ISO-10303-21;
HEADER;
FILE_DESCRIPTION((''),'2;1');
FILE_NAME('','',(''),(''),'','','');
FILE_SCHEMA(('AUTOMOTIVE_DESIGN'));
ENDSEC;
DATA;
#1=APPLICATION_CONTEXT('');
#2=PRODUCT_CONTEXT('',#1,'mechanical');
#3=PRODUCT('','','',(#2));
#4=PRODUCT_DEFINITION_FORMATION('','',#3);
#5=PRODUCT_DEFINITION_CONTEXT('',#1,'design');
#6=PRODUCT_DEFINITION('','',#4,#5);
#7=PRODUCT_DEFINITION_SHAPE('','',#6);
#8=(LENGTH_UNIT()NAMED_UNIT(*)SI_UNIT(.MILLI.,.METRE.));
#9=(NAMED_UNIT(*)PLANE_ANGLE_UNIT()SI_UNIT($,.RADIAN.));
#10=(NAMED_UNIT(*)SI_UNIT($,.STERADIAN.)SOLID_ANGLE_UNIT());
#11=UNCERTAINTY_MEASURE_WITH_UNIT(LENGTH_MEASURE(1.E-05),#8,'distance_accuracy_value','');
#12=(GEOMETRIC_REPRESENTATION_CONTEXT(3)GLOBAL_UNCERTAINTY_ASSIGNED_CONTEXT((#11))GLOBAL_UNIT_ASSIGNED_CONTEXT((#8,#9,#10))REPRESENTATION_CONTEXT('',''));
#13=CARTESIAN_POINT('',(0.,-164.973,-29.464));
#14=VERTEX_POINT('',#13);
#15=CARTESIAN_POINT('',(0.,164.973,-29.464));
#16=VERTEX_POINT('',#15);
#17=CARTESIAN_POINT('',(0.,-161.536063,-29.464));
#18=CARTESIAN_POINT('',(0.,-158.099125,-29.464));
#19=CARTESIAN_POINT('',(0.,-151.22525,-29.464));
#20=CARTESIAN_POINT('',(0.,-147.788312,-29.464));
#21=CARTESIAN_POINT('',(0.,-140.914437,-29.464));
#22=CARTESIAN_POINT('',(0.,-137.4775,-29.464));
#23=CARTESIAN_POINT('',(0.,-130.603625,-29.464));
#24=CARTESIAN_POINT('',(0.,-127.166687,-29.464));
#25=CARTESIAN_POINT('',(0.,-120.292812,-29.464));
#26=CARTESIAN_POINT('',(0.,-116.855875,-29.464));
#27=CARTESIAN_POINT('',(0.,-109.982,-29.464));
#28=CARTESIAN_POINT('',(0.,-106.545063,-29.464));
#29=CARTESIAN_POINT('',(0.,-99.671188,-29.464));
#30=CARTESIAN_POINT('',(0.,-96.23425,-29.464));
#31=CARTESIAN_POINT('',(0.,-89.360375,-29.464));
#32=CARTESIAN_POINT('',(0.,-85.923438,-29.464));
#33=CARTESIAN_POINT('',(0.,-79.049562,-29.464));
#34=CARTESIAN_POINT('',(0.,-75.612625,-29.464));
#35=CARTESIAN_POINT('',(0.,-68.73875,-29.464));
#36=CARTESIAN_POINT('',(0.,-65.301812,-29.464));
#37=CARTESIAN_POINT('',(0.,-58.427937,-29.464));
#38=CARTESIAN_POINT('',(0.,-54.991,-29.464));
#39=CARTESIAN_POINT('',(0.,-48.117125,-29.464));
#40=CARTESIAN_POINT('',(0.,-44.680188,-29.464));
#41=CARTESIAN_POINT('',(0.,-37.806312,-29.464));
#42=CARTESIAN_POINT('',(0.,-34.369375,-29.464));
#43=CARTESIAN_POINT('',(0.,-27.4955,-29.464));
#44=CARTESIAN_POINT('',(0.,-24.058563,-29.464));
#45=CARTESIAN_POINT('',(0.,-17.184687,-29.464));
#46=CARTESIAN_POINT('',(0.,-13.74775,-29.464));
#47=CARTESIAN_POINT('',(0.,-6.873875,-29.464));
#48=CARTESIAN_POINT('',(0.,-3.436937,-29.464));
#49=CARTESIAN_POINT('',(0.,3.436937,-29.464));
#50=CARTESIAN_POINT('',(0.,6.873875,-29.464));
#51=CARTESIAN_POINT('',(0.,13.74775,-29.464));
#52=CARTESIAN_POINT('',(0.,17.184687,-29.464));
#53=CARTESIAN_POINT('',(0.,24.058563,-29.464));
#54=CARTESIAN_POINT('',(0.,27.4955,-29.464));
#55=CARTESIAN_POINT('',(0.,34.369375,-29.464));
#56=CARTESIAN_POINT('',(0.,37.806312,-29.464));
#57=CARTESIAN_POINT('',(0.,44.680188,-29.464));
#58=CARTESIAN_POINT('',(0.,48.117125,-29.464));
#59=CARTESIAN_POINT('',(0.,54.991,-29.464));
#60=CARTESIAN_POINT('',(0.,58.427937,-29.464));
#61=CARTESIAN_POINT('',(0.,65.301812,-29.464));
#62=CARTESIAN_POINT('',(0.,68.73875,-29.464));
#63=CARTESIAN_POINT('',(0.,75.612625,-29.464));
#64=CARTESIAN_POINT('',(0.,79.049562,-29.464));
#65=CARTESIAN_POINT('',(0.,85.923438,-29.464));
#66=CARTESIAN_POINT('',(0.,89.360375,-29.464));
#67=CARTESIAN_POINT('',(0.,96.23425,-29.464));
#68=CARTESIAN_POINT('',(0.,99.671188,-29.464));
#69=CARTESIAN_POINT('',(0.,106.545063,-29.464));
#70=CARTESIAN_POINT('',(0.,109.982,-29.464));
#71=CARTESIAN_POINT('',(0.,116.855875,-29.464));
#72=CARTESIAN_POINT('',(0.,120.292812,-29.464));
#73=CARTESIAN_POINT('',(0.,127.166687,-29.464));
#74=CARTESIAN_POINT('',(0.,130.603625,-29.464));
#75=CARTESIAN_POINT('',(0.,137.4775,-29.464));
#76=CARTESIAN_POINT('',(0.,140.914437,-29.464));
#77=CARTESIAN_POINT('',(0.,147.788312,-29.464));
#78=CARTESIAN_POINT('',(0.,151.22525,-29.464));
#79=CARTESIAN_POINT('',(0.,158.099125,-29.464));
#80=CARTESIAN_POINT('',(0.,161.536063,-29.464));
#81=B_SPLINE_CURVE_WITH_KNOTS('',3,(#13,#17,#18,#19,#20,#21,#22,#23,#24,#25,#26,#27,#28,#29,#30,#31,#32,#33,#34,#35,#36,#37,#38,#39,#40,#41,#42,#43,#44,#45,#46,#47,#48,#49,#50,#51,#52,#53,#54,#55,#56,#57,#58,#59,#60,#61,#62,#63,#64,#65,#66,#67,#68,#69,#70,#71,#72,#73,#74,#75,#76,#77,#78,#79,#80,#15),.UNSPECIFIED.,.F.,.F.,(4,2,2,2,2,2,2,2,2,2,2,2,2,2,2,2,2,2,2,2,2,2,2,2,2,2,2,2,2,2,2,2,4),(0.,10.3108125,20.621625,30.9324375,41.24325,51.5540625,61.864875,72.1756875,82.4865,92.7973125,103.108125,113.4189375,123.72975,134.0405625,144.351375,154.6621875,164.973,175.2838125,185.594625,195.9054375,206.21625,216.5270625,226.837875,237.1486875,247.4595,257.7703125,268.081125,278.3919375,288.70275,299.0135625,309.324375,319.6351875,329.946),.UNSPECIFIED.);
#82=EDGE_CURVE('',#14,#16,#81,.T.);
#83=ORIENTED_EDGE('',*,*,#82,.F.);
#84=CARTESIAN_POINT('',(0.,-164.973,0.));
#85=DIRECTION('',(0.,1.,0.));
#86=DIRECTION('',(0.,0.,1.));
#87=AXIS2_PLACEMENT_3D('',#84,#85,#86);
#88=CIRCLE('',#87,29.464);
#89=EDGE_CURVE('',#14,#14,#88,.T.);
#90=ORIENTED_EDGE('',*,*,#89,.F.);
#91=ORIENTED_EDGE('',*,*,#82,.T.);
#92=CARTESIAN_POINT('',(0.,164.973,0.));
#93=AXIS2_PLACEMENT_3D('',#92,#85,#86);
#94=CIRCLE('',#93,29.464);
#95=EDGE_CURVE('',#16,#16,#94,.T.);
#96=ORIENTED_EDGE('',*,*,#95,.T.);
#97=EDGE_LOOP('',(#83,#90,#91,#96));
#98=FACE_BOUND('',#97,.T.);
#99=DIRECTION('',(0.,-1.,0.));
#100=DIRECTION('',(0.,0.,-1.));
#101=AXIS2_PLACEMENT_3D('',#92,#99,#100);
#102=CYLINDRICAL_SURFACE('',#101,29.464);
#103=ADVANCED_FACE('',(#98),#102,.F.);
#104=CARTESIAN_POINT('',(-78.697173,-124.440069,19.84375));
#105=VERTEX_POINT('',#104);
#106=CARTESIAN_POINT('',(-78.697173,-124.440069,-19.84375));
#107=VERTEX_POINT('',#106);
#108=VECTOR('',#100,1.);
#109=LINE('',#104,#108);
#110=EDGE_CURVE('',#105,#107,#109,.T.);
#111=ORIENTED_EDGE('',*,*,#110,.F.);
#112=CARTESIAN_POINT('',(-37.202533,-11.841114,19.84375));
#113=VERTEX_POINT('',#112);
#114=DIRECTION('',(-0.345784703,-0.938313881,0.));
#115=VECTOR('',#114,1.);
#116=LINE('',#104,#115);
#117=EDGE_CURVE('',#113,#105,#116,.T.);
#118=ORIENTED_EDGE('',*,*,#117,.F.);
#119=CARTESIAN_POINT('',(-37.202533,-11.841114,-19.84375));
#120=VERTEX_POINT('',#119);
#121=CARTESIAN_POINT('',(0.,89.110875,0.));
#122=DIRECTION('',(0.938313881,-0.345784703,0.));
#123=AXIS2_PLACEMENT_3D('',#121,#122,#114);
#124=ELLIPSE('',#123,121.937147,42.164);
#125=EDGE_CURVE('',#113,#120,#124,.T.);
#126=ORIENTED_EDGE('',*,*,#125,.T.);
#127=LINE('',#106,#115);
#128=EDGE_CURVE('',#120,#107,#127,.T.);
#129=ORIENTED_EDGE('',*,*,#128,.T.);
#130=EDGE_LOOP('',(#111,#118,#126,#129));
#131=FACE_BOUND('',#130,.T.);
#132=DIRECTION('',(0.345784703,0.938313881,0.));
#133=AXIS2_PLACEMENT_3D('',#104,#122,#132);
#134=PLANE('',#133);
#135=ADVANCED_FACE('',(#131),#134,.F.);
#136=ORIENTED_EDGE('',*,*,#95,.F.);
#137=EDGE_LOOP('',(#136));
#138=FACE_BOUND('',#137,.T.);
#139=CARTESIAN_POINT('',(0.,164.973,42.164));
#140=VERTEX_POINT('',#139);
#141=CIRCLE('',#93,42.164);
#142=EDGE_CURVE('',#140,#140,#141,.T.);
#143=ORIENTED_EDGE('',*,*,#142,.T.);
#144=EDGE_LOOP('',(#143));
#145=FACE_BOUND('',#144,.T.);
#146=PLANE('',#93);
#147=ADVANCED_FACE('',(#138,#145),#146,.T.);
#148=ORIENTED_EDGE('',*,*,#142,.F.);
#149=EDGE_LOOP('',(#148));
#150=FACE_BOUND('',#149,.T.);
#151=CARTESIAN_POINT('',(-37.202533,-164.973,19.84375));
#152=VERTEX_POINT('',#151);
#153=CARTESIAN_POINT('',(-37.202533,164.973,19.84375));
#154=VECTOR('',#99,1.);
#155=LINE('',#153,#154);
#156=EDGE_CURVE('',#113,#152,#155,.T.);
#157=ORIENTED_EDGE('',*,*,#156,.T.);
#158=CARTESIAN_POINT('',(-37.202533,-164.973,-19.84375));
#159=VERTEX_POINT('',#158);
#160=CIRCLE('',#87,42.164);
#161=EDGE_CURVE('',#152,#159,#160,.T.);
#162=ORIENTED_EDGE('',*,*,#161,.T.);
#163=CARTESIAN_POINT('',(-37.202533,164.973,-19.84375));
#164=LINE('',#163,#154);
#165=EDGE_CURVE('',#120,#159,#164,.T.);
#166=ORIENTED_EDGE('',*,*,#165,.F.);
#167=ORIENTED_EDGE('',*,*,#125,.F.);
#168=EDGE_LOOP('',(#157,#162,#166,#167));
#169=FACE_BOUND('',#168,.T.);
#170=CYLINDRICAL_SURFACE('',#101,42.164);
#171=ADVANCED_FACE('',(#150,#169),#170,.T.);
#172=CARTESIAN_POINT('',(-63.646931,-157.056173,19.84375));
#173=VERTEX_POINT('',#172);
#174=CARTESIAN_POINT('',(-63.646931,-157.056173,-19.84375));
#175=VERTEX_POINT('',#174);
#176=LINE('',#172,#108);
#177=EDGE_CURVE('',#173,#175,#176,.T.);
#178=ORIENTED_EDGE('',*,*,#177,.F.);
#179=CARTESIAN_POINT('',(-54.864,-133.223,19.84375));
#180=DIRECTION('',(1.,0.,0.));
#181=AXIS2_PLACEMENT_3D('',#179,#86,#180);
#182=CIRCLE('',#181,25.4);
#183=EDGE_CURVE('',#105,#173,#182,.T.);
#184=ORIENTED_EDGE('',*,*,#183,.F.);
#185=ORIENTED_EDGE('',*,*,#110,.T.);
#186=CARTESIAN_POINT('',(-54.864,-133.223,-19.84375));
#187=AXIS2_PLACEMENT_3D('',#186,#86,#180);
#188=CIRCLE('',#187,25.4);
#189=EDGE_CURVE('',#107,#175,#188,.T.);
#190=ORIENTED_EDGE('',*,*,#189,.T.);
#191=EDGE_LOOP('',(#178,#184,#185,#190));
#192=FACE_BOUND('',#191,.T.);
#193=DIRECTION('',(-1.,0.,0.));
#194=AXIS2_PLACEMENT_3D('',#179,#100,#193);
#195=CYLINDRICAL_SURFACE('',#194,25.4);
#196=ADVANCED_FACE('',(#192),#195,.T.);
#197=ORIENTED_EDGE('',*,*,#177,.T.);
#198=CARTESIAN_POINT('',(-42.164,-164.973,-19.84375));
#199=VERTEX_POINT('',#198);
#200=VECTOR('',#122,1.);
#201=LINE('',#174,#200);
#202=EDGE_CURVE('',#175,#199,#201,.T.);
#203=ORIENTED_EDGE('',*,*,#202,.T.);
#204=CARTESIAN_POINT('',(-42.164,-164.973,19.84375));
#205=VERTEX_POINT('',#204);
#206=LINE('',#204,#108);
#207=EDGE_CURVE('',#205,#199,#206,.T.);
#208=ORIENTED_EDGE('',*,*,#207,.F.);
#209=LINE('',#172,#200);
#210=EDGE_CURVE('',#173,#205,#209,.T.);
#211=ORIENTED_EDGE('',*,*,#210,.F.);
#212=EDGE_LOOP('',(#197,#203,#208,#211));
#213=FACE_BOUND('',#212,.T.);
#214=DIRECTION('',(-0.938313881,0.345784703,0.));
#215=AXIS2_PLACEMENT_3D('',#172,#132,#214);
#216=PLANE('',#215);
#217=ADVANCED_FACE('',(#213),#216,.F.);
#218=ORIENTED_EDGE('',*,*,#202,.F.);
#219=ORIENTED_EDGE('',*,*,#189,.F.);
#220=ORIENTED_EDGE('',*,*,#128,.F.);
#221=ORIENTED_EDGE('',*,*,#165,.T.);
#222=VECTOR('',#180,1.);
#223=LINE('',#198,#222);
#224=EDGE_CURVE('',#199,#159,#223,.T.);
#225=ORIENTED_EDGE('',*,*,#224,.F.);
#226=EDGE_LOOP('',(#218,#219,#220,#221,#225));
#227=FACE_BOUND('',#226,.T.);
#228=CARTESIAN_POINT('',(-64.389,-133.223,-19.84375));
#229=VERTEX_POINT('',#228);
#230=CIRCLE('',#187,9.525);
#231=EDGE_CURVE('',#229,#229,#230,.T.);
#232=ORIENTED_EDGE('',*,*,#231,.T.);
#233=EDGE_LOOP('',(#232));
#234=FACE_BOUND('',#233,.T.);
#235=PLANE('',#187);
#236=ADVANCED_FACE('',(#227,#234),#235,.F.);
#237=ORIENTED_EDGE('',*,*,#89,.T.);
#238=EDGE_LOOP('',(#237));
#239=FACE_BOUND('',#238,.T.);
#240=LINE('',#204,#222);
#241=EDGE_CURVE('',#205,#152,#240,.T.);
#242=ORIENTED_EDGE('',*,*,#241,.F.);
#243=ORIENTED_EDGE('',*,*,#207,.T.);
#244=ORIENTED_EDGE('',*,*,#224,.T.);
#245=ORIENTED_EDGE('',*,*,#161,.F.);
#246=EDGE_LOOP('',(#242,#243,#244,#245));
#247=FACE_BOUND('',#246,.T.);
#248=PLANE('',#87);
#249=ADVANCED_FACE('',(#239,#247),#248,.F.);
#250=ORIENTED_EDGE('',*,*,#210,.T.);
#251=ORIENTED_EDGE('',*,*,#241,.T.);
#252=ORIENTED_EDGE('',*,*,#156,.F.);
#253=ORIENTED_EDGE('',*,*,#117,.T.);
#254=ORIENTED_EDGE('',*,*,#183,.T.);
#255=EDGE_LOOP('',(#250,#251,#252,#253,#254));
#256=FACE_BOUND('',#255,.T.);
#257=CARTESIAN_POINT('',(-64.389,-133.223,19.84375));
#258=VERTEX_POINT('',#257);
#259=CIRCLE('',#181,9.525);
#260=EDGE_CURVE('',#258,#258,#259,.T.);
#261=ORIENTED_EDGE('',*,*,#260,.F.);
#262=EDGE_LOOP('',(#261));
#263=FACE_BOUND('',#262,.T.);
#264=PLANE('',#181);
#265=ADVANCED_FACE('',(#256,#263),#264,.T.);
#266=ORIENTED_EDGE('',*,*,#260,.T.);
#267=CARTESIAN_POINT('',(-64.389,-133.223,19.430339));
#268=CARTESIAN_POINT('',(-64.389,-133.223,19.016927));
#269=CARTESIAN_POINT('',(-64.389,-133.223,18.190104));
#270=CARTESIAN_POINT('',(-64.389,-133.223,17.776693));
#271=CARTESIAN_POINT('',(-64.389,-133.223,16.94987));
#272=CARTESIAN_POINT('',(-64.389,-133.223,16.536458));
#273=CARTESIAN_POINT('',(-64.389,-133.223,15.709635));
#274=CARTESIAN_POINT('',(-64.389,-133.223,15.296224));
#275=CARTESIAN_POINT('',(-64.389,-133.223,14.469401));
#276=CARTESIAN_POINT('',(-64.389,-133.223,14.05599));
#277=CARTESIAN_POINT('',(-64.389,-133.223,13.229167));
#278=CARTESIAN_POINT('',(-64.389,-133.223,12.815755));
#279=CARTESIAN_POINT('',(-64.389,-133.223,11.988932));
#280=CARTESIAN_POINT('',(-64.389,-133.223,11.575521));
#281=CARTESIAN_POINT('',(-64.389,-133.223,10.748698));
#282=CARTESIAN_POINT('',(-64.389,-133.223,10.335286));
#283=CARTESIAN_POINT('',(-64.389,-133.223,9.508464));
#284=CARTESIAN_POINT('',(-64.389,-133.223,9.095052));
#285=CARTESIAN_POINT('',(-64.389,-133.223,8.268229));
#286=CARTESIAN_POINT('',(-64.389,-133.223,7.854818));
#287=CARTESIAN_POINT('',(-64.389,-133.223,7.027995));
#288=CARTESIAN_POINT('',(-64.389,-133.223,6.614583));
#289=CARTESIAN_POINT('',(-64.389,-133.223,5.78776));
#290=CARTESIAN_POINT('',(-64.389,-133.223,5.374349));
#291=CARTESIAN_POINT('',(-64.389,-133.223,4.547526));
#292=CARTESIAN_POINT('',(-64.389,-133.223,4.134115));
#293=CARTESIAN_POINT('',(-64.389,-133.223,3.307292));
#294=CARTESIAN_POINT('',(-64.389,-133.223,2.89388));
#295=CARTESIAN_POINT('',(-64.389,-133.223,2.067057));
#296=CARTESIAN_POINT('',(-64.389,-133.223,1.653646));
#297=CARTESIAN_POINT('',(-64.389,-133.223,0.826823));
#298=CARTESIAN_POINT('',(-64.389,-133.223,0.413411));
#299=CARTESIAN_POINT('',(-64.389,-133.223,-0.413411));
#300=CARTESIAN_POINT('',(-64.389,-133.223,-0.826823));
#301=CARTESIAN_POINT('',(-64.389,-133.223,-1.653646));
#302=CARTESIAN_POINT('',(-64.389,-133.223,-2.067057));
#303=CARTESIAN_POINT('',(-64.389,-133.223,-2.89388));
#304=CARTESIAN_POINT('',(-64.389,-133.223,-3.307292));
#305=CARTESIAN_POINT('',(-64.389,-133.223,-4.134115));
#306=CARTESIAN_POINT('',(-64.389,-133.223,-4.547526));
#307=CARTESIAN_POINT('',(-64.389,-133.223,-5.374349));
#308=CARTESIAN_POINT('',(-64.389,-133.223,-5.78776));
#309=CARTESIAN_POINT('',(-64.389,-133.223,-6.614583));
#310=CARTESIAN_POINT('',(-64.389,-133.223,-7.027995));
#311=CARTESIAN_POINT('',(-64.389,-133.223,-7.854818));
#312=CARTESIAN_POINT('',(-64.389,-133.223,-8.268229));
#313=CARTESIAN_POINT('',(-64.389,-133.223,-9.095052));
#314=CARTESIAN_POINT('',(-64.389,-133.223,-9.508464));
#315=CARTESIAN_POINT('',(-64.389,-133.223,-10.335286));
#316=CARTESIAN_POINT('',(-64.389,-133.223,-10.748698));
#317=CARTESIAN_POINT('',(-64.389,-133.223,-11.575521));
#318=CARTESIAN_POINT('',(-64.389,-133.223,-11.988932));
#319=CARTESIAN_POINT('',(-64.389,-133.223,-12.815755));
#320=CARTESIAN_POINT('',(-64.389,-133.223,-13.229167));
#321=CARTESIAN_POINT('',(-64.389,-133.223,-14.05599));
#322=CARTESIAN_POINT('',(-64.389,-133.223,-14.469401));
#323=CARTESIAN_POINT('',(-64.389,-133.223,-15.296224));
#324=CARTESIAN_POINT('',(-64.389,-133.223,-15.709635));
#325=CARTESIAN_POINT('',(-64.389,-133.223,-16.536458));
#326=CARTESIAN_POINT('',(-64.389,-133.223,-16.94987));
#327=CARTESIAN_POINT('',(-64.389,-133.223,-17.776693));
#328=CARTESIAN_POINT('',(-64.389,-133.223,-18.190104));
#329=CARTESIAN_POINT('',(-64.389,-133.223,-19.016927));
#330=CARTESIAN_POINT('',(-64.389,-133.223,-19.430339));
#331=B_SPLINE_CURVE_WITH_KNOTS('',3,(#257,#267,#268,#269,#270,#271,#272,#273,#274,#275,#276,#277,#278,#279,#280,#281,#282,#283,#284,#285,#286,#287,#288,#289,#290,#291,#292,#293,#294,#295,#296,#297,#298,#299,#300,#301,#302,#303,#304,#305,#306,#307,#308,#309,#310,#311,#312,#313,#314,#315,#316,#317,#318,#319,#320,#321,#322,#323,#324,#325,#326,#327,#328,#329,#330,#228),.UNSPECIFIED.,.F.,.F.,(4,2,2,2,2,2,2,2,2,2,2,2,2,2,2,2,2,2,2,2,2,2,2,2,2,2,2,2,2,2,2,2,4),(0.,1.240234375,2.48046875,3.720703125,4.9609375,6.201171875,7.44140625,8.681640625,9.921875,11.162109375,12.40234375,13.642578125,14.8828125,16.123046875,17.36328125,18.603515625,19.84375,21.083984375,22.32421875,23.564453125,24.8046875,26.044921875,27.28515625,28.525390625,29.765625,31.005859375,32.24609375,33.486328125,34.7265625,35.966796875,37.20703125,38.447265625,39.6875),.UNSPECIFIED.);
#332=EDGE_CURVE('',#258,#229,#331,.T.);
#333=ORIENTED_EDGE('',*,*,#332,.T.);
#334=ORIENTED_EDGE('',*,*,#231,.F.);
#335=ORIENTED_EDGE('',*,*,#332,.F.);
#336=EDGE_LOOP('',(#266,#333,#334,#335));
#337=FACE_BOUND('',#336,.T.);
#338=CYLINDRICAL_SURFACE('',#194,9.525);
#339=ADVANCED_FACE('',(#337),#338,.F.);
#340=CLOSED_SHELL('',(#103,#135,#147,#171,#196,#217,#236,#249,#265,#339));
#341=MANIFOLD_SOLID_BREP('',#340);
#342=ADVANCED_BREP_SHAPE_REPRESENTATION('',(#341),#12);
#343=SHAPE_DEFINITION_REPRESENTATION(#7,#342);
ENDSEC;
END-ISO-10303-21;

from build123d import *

# Parameters (mm, degrees)
SKETCH1_R           = 42.164
SKETCH1_R_2         = 29.464
BOSS_EXTRUDE1_DEPTH = 164.973
SKETCH2_R           = 9.525
BOSS_EXTRUDE2_DEPTH = 19.84375


with BuildPart() as part:
    # Sketch1 → Boss-Extrude1 (new, symmetric)
    with BuildSketch(Plane(origin=(0, 0, 0), x_dir=(1, 0, 0), z_dir=(0, 1, 0))):
        with Locations(Location((0, 0, 0), (0, 0, 90))):
            Circle(SKETCH1_R)
        with Locations(Location((0, 0, 0), (0, 0, 90))):
            Circle(SKETCH1_R_2, mode=Mode.SUBTRACT)
    extrude(amount=BOSS_EXTRUDE1_DEPTH, both=True)

    # Sketch2 → Boss-Extrude2 (add, symmetric)
    with BuildSketch(Plane.XY):
        with BuildLine():
            Line((-63.646931448, -157.056172579), (-42.164, -164.973))
            Line((-42.164, -164.973), (-29.464, -164.973))
            Line((-29.464, -164.973), (-29.464, 9.158002397))
            Line((-29.464, 9.158002397), (-78.697172579, -124.440068552))
            ThreePointArc((-78.697172579, -124.440068552), (-77.927068333, -143.865127562), (-63.646931448, -157.056172579))
        make_face()
        with Locations(Location((-54.864, -133.223, 0), (0, 0, 180))):
            Circle(SKETCH2_R, mode=Mode.SUBTRACT)
    extrude(amount=BOSS_EXTRUDE2_DEPTH, both=True)


solid = part.part
